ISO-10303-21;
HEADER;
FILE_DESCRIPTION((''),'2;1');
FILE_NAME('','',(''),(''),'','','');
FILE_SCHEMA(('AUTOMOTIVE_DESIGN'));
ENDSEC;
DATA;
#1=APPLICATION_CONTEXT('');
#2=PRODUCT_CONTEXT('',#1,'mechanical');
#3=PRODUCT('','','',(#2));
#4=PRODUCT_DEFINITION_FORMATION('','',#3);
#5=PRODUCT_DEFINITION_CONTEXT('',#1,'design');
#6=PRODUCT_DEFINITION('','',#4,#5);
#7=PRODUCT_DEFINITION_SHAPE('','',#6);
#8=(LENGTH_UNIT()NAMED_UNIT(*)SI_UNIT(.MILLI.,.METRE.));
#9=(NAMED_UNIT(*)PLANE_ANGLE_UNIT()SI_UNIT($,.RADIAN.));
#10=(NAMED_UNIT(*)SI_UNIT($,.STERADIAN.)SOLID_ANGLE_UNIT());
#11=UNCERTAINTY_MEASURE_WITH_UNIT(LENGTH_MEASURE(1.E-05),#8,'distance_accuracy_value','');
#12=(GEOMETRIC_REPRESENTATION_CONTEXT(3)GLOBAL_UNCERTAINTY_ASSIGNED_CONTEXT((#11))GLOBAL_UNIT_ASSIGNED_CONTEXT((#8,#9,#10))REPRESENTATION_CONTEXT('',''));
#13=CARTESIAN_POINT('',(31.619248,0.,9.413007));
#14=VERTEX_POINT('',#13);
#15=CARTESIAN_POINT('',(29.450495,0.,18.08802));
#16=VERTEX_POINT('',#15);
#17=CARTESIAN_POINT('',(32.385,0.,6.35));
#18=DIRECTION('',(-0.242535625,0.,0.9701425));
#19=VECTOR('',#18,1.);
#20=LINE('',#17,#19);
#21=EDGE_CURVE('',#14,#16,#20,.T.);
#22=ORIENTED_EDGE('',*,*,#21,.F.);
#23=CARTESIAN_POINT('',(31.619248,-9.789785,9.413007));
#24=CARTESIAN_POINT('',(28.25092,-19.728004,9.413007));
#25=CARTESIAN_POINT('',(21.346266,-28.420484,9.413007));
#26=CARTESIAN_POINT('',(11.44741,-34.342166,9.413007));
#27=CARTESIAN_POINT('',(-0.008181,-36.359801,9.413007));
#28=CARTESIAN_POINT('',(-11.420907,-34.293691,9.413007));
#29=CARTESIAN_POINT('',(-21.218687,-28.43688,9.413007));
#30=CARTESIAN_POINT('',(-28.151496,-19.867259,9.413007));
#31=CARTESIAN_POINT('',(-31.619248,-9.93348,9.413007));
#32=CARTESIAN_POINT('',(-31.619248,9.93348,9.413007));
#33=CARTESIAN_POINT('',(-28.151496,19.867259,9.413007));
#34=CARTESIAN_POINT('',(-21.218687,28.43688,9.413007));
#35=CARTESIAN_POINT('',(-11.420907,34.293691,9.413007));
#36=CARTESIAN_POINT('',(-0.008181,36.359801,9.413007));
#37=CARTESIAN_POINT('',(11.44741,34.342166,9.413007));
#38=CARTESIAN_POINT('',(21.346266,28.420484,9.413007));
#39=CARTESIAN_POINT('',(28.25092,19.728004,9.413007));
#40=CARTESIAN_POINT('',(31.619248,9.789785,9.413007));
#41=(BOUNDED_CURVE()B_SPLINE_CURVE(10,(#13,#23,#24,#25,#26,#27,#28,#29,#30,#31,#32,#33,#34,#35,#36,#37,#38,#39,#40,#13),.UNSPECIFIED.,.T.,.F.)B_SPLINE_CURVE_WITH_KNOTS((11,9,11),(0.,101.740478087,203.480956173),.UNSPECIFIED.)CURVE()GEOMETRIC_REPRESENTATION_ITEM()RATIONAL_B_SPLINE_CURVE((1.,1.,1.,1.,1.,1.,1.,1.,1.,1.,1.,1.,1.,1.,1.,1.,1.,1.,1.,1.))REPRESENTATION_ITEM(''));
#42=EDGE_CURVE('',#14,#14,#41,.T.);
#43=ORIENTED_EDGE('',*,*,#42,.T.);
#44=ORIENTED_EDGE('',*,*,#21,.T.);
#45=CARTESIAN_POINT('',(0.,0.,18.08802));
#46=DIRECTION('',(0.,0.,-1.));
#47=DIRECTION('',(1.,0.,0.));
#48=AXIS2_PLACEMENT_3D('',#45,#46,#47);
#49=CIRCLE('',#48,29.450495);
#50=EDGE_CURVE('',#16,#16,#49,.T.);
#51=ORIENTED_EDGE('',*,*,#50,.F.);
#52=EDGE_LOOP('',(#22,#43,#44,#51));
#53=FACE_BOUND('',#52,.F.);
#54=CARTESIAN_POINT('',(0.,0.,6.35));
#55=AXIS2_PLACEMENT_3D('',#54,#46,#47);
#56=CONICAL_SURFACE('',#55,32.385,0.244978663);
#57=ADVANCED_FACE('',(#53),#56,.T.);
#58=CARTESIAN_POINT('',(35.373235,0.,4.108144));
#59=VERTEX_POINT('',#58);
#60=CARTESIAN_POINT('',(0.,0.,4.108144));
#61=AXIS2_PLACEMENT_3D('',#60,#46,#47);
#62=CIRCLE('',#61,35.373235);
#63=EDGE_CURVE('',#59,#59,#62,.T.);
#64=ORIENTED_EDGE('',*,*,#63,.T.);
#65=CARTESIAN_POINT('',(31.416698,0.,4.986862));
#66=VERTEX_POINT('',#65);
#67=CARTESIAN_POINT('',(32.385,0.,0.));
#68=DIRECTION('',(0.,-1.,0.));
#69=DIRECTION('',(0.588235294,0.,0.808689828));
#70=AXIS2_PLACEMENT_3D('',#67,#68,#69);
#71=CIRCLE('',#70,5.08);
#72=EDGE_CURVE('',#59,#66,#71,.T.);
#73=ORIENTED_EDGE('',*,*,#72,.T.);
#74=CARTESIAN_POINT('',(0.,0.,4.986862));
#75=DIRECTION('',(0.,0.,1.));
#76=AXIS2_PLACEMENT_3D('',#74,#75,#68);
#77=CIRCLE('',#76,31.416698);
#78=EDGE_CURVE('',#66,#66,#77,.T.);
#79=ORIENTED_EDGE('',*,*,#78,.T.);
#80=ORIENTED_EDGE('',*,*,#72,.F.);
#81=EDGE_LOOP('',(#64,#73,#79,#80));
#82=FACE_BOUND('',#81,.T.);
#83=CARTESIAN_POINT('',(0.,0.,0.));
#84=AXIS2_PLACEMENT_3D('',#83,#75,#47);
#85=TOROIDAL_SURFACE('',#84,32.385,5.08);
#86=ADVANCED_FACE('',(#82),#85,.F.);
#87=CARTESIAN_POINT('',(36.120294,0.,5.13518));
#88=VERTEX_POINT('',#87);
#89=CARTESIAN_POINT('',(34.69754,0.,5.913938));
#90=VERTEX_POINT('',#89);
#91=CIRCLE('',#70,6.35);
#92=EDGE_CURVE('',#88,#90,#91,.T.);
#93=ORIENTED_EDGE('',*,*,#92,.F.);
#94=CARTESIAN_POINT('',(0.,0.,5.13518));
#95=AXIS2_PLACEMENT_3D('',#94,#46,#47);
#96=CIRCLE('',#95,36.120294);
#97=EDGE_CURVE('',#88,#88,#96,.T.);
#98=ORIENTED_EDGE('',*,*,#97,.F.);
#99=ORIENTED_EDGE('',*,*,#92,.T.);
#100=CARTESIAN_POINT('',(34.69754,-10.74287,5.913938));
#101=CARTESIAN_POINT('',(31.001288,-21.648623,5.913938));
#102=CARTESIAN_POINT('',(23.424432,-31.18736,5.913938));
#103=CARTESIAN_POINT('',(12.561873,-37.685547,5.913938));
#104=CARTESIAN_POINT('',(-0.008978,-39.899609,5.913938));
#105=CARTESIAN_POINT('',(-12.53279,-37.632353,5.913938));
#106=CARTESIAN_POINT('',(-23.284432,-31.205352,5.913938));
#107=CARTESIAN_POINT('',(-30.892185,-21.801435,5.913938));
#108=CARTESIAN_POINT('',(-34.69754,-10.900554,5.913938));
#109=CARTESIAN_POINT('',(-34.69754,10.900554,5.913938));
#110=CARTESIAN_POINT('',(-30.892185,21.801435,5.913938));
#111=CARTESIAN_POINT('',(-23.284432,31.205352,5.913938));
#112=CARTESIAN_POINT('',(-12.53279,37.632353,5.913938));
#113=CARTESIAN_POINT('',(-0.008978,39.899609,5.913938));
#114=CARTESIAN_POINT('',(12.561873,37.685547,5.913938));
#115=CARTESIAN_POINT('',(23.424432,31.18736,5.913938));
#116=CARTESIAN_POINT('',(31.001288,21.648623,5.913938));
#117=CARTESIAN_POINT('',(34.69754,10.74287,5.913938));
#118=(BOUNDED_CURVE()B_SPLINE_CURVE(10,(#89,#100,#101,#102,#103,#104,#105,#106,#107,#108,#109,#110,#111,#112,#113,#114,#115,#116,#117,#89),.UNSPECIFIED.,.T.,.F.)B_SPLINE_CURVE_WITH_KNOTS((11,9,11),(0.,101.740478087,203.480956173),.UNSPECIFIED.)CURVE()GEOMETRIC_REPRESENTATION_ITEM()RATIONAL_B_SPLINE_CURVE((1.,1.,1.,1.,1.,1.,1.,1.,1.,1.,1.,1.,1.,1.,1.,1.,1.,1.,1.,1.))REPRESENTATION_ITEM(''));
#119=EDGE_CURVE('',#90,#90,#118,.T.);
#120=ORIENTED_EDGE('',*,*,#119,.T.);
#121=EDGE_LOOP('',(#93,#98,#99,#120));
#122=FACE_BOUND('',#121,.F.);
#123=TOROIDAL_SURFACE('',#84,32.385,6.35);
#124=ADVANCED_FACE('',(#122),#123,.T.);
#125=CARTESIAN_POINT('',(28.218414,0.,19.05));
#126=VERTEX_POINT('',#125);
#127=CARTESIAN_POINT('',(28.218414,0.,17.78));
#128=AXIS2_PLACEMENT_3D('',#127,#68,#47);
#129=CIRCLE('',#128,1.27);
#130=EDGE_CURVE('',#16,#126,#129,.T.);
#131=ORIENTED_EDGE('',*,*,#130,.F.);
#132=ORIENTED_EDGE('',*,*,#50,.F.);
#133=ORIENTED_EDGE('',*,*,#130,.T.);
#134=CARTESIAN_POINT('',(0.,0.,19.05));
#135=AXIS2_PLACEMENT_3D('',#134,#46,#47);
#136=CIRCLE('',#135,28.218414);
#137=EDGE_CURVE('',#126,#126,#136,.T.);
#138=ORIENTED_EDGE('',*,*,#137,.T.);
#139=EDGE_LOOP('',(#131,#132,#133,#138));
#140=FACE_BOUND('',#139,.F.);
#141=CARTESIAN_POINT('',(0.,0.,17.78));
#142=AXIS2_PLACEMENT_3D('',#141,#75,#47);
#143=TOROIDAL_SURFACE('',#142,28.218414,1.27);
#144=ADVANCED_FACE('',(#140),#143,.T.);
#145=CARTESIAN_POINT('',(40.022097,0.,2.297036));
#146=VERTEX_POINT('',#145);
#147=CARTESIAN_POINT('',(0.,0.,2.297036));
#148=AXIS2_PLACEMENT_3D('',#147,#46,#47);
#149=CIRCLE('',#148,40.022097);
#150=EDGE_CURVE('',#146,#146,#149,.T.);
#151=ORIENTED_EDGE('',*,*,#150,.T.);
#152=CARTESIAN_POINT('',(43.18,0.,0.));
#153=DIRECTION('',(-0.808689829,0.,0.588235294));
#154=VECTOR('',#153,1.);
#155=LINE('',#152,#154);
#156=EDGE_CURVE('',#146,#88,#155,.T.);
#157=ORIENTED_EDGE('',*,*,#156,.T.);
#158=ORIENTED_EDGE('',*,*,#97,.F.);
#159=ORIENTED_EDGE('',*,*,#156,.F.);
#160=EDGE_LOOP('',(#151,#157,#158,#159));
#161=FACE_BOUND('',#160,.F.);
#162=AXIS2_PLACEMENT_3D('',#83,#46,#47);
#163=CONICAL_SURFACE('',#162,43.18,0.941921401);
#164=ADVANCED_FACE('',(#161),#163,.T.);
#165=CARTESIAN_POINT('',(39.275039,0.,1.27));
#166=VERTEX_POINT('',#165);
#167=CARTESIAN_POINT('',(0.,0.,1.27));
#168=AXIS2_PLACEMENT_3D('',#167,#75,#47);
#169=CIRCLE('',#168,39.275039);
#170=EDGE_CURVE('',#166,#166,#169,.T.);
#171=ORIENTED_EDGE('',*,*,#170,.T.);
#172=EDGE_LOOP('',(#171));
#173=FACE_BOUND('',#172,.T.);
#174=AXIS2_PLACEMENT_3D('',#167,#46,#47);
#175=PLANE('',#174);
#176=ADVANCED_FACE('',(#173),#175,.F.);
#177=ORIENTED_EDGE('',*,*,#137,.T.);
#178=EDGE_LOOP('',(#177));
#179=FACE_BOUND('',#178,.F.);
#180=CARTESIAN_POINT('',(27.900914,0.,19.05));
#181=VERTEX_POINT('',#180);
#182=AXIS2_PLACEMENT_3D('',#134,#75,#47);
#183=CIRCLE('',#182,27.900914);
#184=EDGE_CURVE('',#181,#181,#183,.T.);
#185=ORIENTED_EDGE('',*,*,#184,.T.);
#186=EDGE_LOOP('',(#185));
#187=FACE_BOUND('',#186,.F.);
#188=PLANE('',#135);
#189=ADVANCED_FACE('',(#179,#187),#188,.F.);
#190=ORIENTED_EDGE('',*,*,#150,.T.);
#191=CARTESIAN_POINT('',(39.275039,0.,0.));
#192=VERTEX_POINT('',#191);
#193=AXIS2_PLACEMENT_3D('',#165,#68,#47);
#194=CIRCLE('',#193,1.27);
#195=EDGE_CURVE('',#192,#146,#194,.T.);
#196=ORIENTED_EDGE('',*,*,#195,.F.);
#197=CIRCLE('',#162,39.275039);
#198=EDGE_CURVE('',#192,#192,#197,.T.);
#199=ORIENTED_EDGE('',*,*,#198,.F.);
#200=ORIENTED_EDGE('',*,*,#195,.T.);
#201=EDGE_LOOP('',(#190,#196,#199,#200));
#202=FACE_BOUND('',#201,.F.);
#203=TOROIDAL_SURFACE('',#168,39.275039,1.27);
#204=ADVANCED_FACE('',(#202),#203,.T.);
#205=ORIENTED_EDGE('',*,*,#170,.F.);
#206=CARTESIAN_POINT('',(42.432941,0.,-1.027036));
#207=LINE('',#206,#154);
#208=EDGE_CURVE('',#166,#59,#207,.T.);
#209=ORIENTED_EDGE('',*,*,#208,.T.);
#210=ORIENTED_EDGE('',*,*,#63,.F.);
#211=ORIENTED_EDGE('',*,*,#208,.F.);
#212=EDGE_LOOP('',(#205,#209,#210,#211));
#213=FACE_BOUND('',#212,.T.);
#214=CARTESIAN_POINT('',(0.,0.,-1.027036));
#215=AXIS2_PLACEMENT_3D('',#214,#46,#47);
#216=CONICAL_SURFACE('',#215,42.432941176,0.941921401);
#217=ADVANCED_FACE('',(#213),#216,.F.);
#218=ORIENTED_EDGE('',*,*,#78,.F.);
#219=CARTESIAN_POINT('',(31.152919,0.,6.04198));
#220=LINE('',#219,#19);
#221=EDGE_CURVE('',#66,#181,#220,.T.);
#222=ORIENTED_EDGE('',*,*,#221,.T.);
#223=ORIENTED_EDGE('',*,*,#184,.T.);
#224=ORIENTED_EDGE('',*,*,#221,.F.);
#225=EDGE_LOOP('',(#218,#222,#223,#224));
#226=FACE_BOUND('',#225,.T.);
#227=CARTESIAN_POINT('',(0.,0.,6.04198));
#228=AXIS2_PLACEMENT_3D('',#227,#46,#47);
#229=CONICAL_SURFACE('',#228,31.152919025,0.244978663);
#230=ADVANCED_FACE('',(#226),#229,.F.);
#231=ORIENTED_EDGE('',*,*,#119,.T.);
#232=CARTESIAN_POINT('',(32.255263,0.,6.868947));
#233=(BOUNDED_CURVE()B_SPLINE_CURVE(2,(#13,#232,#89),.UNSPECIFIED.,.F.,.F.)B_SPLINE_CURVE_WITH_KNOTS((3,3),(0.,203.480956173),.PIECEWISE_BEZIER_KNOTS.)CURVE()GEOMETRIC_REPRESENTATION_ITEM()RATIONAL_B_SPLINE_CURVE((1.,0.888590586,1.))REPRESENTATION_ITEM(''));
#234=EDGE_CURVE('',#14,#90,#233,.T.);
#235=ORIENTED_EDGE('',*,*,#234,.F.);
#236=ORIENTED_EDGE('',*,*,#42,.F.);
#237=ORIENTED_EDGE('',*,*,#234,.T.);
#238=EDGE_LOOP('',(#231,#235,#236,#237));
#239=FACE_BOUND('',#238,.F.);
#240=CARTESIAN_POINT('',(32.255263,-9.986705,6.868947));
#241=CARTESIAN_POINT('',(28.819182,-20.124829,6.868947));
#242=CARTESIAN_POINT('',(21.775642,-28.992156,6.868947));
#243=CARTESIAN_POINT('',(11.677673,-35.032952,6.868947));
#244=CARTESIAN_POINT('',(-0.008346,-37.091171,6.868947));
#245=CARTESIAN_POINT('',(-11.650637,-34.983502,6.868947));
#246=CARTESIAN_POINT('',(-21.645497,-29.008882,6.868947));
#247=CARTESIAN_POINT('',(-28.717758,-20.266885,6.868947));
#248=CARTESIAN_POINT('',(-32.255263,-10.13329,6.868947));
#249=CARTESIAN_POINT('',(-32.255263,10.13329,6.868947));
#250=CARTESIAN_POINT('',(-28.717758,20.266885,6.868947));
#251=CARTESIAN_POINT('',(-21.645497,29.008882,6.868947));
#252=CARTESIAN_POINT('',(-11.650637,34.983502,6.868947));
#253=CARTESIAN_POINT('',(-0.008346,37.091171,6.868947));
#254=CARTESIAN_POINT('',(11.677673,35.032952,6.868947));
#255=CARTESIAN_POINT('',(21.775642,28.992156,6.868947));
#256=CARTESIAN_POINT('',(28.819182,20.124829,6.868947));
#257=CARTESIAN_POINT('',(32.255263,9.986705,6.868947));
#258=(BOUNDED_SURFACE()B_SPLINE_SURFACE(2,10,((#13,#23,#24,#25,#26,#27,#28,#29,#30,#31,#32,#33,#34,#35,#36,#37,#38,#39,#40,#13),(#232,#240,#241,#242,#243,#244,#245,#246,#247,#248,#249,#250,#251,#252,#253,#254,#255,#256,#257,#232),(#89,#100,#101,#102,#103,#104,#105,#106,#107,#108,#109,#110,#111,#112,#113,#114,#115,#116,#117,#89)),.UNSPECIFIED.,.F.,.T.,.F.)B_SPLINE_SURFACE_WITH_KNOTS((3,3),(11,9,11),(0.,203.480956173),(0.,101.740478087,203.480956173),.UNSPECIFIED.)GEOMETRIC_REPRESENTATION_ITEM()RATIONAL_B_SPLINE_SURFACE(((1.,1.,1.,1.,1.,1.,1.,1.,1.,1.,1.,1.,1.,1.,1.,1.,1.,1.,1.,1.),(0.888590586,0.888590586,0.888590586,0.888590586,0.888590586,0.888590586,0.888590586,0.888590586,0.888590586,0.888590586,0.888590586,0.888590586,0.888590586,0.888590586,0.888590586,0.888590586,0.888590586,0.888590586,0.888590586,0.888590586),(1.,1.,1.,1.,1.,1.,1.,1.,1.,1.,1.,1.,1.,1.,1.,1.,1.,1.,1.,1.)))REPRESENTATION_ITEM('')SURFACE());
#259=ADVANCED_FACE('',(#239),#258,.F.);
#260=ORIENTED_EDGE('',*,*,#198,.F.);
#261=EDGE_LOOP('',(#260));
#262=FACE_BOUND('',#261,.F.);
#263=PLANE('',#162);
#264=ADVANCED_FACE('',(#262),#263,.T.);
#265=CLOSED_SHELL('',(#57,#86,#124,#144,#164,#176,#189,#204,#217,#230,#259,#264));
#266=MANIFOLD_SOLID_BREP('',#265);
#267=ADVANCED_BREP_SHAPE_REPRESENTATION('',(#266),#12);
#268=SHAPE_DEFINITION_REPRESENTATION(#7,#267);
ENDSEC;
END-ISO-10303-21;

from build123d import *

# Parameters (mm, degrees)
F2_T = -1.27
F3_R = 1.27
F4_R = 1.27
F5_R = 5.08


with BuildPart() as f1:
    # F0 (on Front) → F1 (revolve)
    with BuildSketch(Plane.XZ):
        with BuildLine():
            Line((0, 19.05), (0, 0))
            Line((0, 0), (43.18, 0))
            Line((43.18, 0), (36.1202941176, 5.1351804111))
            ThreePointArc((36.1202941176, 5.1351804111), (34.3489379305, 6.0386627498), (32.385, 6.35))
            Line((32.385, 6.35), (29.21, 19.05))
            Line((29.21, 19.05), (0, 19.05))
        make_face()
    revolve(axis=Axis((0, 0, 9.525), (0, 0, -1)))

    # F2
    f2_openings = [f1.faces().sort_by_distance(p)[0] for p in [
        (0, 0, 19.05),
    ]]
    offset(amount=F2_T, openings=f2_openings, kind=Kind.INTERSECTION)

    # F3
    f3_edges = [f1.edges().sort_by_distance(p)[0] for p in [
        (-43.18, 0, 0),
    ]]
    fillet(f3_edges, radius=F3_R)

    # F4
    f4_edges = [f1.edges().sort_by_distance(p)[0] for p in [
        (-29.21, 0, 19.05),
    ]]
    fillet(f4_edges, radius=F4_R)

    # F5
    f5_edges = [f1.edges().sort_by_distance(p)[0] for p in [
        (-32.385, 0, 6.35),
    ]]
    fillet(f5_edges, radius=F5_R)


solid = f1.part
